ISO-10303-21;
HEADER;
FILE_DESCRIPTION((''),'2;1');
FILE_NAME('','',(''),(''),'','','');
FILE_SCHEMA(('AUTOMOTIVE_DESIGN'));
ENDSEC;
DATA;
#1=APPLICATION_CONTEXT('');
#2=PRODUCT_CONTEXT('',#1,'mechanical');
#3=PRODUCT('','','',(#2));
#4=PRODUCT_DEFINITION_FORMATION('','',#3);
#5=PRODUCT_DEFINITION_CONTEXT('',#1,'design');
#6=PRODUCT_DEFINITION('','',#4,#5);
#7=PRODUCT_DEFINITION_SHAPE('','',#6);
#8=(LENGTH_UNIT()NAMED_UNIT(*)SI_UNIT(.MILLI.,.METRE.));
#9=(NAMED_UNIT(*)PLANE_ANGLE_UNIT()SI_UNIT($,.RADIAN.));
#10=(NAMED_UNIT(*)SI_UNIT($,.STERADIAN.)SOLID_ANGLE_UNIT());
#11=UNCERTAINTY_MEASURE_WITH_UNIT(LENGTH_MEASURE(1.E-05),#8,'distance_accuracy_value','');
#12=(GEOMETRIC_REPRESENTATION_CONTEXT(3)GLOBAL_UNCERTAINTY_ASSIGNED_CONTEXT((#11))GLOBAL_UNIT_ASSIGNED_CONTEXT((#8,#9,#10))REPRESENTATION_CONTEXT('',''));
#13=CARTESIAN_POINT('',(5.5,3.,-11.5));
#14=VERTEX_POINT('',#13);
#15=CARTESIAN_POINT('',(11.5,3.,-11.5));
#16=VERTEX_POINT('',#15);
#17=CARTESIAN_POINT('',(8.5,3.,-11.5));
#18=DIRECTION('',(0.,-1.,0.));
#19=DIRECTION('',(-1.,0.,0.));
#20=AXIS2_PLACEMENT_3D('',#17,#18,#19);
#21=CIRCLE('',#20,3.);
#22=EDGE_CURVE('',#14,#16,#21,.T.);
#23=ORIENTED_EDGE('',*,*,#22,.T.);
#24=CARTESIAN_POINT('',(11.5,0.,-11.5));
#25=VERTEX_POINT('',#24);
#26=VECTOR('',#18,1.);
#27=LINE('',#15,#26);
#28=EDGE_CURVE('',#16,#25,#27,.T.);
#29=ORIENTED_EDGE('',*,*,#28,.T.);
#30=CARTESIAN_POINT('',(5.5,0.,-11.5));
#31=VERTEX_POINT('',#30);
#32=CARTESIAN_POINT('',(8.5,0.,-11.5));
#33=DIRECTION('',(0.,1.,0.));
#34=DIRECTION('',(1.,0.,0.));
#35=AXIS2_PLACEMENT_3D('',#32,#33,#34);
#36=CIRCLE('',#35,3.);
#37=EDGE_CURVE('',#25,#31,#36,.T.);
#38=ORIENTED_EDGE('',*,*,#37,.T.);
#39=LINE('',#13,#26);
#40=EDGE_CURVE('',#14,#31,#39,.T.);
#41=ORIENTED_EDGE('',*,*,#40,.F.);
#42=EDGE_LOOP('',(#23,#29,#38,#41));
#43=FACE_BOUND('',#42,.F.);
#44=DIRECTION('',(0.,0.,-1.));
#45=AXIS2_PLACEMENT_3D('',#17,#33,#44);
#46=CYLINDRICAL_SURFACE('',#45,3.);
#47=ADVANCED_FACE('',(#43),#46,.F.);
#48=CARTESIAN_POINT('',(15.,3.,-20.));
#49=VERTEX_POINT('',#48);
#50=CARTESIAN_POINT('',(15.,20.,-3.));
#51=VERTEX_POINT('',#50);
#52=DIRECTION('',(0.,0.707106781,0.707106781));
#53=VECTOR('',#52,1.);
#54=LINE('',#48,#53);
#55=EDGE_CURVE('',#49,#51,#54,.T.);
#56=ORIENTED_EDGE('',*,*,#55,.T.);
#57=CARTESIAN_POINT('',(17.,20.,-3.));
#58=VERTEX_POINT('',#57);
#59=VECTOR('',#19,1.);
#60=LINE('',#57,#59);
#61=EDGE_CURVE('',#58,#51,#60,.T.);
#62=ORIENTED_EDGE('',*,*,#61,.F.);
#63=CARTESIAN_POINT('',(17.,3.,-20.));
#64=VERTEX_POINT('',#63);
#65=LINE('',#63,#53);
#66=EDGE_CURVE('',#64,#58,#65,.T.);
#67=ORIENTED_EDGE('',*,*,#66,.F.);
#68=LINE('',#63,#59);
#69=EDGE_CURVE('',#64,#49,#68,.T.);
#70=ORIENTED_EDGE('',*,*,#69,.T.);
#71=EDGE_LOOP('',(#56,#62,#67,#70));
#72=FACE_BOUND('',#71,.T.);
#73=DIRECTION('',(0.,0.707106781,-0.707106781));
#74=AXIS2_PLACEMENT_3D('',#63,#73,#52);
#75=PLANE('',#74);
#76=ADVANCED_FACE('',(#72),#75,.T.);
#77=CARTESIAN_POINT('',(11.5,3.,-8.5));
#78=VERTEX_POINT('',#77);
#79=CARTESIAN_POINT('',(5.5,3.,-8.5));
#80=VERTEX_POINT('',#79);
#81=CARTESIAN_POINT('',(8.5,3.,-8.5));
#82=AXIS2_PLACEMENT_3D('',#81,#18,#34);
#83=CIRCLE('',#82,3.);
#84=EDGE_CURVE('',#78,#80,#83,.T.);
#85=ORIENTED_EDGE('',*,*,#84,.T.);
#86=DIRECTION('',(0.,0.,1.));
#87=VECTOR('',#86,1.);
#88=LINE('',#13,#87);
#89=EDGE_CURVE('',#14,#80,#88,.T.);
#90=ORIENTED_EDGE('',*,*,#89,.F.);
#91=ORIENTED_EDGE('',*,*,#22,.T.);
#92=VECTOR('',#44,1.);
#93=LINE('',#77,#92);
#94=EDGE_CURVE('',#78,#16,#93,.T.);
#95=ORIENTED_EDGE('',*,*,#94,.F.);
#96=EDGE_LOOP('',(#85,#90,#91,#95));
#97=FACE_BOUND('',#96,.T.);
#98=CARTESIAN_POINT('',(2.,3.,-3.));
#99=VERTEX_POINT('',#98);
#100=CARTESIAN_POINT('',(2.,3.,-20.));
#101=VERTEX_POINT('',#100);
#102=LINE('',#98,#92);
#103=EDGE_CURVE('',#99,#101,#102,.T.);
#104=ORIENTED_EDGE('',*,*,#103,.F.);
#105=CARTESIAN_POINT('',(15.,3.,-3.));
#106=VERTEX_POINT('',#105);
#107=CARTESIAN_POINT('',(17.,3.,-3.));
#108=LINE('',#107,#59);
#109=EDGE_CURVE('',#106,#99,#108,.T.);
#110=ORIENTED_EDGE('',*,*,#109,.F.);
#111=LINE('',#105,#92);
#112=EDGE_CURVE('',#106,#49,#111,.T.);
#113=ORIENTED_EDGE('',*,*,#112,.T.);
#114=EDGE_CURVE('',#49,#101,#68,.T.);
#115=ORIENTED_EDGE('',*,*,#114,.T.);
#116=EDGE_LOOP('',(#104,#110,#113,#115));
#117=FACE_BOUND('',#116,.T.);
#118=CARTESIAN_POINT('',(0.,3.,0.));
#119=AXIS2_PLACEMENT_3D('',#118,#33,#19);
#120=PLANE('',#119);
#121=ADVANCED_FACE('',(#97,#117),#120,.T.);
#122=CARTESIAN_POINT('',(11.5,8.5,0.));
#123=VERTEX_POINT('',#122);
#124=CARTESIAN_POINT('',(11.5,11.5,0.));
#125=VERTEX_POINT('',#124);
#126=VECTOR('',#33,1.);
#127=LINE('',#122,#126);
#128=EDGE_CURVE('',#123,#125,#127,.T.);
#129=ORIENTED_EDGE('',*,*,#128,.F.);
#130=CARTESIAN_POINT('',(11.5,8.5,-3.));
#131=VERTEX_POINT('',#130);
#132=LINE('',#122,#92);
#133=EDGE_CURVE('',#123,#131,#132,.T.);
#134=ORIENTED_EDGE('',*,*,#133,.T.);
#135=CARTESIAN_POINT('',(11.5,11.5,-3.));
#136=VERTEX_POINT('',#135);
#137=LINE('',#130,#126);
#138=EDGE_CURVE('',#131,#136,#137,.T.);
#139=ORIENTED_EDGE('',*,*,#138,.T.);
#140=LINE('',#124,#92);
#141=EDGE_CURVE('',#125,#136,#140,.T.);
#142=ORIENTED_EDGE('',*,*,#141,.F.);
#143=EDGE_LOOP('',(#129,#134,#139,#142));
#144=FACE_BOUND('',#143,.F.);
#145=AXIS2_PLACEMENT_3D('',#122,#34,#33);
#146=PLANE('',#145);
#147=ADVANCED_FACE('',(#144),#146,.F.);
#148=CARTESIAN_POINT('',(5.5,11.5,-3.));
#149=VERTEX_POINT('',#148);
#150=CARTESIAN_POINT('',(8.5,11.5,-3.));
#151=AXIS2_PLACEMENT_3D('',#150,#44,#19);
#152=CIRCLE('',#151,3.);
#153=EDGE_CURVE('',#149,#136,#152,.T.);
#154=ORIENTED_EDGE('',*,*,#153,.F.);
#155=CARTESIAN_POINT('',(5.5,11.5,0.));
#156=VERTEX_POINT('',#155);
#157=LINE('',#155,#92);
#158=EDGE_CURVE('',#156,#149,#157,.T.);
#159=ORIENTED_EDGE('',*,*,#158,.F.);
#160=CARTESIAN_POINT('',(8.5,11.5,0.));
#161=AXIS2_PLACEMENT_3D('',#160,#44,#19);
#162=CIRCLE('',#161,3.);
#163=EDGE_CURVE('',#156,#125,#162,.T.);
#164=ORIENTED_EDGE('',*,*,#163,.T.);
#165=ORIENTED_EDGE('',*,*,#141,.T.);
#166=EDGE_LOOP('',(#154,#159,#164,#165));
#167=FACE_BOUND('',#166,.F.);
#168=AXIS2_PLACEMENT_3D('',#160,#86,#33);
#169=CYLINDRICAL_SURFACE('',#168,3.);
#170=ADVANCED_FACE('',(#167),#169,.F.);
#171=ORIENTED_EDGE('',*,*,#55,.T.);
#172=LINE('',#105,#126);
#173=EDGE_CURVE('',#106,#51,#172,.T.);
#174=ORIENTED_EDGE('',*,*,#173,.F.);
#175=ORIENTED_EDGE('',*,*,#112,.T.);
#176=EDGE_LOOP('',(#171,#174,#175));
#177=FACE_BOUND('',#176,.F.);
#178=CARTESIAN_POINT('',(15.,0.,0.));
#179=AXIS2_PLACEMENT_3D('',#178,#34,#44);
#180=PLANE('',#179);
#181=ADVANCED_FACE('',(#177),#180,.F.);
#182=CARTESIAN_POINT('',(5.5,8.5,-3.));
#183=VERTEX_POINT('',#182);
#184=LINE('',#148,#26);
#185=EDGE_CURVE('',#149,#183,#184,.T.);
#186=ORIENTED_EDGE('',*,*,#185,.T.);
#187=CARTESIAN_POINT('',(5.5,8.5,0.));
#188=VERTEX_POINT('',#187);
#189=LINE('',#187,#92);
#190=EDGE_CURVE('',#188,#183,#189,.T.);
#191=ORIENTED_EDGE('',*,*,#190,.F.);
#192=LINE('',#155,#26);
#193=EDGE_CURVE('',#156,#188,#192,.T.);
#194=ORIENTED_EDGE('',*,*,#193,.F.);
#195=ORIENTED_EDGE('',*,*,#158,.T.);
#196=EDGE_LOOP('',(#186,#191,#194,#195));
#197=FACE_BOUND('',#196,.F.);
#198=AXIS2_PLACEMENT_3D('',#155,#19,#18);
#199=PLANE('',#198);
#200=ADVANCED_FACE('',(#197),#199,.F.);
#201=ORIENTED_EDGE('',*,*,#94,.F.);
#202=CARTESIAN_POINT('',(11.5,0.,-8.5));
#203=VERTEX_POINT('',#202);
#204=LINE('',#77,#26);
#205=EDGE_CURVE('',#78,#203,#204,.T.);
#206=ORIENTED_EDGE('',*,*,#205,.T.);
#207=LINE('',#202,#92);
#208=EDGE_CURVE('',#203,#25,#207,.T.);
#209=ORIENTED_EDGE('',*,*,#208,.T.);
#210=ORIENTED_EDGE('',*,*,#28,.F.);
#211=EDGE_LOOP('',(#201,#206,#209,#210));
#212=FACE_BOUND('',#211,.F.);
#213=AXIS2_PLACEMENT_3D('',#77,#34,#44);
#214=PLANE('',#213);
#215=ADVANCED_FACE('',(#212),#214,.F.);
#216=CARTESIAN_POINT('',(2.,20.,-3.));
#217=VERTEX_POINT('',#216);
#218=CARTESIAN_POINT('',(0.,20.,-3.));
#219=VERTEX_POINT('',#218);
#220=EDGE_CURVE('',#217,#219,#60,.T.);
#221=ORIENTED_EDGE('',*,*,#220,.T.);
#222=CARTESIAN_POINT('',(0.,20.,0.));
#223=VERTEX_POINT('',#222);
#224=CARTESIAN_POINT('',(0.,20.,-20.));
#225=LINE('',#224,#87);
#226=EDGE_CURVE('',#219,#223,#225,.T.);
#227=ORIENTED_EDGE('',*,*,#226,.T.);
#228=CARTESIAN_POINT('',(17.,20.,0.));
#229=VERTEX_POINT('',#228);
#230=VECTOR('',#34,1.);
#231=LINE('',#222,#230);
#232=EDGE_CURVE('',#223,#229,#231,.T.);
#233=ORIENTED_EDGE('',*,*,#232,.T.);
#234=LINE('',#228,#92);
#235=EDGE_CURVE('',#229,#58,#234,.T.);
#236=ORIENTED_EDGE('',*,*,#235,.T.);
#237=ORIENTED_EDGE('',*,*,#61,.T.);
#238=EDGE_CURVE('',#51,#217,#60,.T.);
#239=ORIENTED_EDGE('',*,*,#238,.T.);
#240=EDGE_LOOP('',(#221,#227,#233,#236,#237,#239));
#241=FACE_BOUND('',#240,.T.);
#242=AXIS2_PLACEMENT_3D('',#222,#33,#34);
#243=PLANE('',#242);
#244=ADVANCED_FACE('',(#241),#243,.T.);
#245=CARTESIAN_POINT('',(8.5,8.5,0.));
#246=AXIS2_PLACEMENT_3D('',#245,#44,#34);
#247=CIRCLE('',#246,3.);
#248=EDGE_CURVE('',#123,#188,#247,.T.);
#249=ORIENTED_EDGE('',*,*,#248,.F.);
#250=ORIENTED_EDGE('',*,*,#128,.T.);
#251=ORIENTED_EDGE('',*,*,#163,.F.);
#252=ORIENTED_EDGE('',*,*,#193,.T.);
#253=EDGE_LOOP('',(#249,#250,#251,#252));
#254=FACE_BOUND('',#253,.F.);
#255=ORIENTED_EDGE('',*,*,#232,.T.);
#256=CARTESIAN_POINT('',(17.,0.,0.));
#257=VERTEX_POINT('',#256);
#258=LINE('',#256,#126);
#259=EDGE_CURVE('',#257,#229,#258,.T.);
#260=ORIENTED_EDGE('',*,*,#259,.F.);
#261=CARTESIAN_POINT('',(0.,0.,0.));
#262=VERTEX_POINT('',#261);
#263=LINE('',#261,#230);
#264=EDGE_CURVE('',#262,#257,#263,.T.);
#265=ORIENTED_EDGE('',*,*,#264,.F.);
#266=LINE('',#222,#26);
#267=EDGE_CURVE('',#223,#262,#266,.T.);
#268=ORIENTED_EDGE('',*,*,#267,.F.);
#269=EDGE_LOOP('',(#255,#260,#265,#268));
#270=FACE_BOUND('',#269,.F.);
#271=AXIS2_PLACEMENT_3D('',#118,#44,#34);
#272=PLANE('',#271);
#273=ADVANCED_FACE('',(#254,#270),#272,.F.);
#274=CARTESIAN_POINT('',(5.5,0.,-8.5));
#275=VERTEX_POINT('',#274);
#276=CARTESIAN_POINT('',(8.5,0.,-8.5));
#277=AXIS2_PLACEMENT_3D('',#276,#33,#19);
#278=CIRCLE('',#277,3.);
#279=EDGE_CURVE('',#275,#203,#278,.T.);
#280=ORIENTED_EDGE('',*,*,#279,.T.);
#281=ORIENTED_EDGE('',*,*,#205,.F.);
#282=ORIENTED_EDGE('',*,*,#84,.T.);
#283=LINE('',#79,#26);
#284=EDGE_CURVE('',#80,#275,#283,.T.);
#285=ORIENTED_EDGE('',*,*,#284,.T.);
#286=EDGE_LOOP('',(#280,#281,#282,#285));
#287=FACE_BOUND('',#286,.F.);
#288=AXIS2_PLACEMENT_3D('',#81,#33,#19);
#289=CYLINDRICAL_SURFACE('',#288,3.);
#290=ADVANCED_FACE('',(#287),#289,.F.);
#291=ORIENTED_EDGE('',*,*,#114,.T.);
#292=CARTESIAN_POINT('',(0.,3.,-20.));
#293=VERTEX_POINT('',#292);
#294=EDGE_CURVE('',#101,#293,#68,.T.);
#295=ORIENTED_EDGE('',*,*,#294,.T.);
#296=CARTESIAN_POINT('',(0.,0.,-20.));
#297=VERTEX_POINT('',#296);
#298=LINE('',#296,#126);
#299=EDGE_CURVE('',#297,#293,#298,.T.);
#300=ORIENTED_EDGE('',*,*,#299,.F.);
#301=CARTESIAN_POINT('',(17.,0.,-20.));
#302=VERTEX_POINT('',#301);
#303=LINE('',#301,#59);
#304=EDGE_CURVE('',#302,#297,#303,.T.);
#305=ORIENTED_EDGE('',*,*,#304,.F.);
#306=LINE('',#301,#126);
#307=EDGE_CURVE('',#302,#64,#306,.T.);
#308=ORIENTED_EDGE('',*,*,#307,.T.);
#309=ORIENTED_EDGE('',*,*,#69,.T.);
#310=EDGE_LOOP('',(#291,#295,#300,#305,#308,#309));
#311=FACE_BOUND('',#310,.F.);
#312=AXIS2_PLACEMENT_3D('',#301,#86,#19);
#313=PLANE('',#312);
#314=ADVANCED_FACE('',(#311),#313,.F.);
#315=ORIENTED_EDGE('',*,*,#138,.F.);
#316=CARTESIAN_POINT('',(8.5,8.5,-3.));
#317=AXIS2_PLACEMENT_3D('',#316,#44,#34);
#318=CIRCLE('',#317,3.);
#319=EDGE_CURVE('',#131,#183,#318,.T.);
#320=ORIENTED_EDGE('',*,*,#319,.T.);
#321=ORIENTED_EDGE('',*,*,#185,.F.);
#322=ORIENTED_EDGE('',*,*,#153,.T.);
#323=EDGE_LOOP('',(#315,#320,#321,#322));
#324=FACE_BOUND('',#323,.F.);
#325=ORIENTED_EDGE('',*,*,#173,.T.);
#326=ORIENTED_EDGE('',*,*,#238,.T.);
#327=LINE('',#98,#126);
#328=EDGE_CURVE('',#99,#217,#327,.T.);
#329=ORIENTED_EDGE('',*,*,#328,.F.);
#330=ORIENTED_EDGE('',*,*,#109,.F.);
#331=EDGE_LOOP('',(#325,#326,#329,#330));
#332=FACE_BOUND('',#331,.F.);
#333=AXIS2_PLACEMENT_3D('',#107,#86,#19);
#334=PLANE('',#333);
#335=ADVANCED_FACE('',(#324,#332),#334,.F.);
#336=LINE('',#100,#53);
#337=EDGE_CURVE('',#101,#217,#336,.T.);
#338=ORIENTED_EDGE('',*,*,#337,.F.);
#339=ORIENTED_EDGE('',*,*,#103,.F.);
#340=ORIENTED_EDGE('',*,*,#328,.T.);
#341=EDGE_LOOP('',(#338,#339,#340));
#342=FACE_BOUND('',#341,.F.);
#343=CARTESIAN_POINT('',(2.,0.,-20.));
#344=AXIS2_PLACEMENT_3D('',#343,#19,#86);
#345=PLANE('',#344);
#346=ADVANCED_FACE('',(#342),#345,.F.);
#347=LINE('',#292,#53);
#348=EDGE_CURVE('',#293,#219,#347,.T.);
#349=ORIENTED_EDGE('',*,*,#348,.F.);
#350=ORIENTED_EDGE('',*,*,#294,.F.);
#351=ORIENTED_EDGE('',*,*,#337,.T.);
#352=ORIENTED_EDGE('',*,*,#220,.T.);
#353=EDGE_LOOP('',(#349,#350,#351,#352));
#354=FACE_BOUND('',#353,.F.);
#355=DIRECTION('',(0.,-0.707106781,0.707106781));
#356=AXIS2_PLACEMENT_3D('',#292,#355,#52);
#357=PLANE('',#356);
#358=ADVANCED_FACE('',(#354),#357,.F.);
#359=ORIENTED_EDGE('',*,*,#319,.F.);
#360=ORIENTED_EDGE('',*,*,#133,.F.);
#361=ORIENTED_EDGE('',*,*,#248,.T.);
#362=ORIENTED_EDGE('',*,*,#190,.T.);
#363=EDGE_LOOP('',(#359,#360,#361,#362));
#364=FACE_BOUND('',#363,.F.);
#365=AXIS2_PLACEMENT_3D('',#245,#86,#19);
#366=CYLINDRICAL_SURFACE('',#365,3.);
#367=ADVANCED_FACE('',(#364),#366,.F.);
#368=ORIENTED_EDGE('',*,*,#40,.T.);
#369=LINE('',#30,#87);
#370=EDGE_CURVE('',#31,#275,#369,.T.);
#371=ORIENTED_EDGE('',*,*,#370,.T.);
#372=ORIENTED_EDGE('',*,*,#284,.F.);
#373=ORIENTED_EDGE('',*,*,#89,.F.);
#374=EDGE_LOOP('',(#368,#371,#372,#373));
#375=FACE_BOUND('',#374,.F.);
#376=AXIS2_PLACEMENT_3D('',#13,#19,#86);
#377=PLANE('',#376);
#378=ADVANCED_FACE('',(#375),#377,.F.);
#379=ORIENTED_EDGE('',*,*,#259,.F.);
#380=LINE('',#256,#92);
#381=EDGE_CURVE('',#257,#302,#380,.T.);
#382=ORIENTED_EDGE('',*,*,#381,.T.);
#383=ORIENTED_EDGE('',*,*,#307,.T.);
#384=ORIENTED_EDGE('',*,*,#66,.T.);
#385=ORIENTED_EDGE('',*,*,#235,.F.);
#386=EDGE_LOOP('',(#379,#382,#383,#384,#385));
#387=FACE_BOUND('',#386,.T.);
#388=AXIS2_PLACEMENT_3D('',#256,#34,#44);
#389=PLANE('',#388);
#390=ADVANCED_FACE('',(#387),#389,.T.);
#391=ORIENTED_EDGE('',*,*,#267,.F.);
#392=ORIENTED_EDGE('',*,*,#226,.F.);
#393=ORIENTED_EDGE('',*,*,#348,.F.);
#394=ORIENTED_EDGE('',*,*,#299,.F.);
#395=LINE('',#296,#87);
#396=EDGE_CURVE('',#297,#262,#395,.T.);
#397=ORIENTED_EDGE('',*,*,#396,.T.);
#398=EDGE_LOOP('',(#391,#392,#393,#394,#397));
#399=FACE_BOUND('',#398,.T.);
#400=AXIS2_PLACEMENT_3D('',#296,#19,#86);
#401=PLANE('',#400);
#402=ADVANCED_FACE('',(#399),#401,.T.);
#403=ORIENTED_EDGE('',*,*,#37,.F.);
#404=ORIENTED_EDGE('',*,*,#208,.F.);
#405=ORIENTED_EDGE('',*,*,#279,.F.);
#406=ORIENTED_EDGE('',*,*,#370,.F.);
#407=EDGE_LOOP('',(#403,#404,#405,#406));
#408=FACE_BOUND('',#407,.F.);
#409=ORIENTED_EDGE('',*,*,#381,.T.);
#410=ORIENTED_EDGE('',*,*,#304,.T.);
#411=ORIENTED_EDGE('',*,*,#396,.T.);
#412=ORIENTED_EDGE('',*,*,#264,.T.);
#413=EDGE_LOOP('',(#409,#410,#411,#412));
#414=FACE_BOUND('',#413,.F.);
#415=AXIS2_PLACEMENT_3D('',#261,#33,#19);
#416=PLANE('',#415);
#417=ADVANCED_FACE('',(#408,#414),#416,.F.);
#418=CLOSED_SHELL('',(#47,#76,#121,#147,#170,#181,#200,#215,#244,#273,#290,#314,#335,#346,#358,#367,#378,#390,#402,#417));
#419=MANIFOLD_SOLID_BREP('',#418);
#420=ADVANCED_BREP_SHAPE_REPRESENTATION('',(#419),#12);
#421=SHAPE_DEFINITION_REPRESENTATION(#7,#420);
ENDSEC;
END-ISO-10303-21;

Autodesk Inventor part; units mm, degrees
ref_plane "YZ Plane" through (0, 0, 0) normal (1, 0, 0) x (0, 1, 0)
ref_plane "XZ Plane" through (0, 0, 0) normal (0, 1, 0) x (-1, 0, 0)
ref_plane "XY Plane" through (0, 0, 0) normal (0, 0, 1) x (1, 0, 0)
sketch "Sketch1" plane through (0, 0, 0) normal (0, 1, 0) x (-1, 0, 0)
  line L0 (0, 0) -> (-17, 0)
  line L1 (-17, 0) -> (-17, -20)
  line L2 (-17, -20) -> (0, -20)
  line L3 (0, -20) -> (0, 0)
  dimension "d0" = 17
  dimension "d1" = 20
extrude "Extrusion1" add sketch "Sketch1" along normal blind 3
sketch "Sketch2" plane through (0, 3, 0) normal (0, 1, 0) x (1, 0, 0)
  line L0 (17, 0) -> (17, 20) projected
  line L1 (17, 20) -> (0, 20) projected
  line L2 (0, 20) -> (0, 0) projected
  line L3 (0, 0) -> (17, 0) projected
  line L4 (8.5, 14.5) -> (8.5, 14.5)
  line L5 (5.5, 11.5) -> (5.5, 8.5)
  line L6 (8.5, 5.5) -> (8.5, 5.5)
  line L7 (11.5, 8.5) -> (11.5, 11.5)
  arc A0 (8.5, 14.5) -> (5.5, 11.5) centre (8.5, 11.5) ccw
  arc A1 (11.5, 11.5) -> (8.5, 14.5) centre (8.5, 11.5) ccw
  arc A2 (5.5, 8.5) -> (8.5, 5.5) centre (8.5, 8.5) ccw
  arc A3 (8.5, 5.5) -> (11.5, 8.5) centre (8.5, 8.5) ccw
  point P0 (5.5, 5.5)
  point P1 (5.5, 14.5)
  point P2 (11.5, 5.5)
  dimension "d6" = 6
  dimension "d7" = 9
  dimension "d8" = 3
extrude "Extrusion2" cut sketch "Sketch2" against normal blind 3 contours A0 A1 L7 A3 A2 L5
sketch "Sketch3" plane through (0, 3, 0) normal (0, 1, 0) x (1, 0, 0)
  line L0 (11.5, 11.5) -> (11.5, 8.5) projected
  arc A0 (5.5, 8.5) -> (11.5, 8.5) centre (8.5, 8.5) ccw projected
  line L1 (5.5, 8.5) -> (5.5, 11.5) projected
  arc A1 (11.5, 11.5) -> (5.5, 11.5) centre (8.5, 11.5) ccw projected
  line L2 (17, 0) -> (17, 20) projected
  line L3 (17, 20) -> (0, 20) projected
  line L4 (0, 20) -> (0, 0) projected
  line L5 (0, 0) -> (17, 0) projected
  line L6 (0, 20) -> (0, 0) projected
  line L7 (0, 0) -> (17, 0)
  line L8 (17, 0) -> (17, 3)
  line L9 (17, 3) -> (0, 3)
  line L10 (0, 3) -> (0, 0)
  dimension "d11" = 3
extrude "Extrusion3" add sketch "Sketch3" along normal blind 17 contours L5 L4 L9 L2
sketch "Sketch4" plane through (0, 0, 0) normal (0, 0, 1) x (1, 0, 0)
  line L0 (0, 0) -> (17, 0) projected
  line L1 (17, 0) -> (17, 20) projected
  line L2 (0, 20) -> (17, 20) projected
  line L3 (0, 0) -> (0, 20) projected
  line L4 (8.5, 5.5) -> (8.5, 5.5)
  line L5 (11.5, 8.5) -> (11.5, 11.5)
  line L6 (8.5, 14.5) -> (8.5, 14.5)
  line L7 (5.5, 11.5) -> (5.5, 8.5)
  line L8 (5.5, 5.5) -> (11.5, 14.5) construction
  line L9 (11.5, 5.5) -> (5.5, 14.5) construction
  arc A0 (8.5, 14.5) -> (5.5, 11.5) centre (8.5, 11.5) ccw
  arc A1 (11.5, 11.5) -> (8.5, 14.5) centre (8.5, 11.5) ccw
  arc A2 (5.5, 8.5) -> (8.5, 5.5) centre (8.5, 8.5) ccw
  arc A3 (8.5, 5.5) -> (11.5, 8.5) centre (8.5, 8.5) ccw
  point P0 (8.5, 10)
  dimension "d14" = 6
  dimension "d15" = 9
  dimension "d16" = 3
extrude "Extrusion4" cut sketch "Sketch4" against normal blind 3 contours A3 A2 L7 A0 A1 L5
sketch "Sketch5" plane through (17, 0, 0) normal (1, 0, 0) x (0, 0, -1)
  line L0 (0, 0) -> (20, 0) projected
  line L1 (20, 0) -> (20, 3) projected
  line L2 (3, 3) -> (20, 3) projected
  line L3 (3, 3) -> (3, 20) projected
  line L4 (0, 20) -> (3, 20) projected
  line L5 (0, 0) -> (0, 20) projected
  line L6 (20, 3) -> (3, 20)
extrude "Extrusion5" add sketch "Sketch5" against normal blind 2 contours L2 L3 L6
sketch "Sketch6" plane through (0, 0, -20) normal (-1, 0, 0) x (0, 0, 1)
  line L0 (17, 3) -> (0, 3) projected
  line L1 (17, 3) -> (17, 20) projected
  line L2 (0, 3) -> (17, 20)
  line L3 (0, 0) -> (20, 0) projected
  line L4 (20, 0) -> (20, 20) projected
  line L5 (17, 20) -> (20, 20) projected
  line L6 (17, 3) -> (17, 20) projected
  line L7 (0, 3) -> (17, 3) projected
  line L8 (0, 0) -> (0, 3) projected
extrude "Extrusion6" add sketch "Sketch6" against normal blind 2 contours L0 L2 L1
properties part number "ANGULOESQUINA"
